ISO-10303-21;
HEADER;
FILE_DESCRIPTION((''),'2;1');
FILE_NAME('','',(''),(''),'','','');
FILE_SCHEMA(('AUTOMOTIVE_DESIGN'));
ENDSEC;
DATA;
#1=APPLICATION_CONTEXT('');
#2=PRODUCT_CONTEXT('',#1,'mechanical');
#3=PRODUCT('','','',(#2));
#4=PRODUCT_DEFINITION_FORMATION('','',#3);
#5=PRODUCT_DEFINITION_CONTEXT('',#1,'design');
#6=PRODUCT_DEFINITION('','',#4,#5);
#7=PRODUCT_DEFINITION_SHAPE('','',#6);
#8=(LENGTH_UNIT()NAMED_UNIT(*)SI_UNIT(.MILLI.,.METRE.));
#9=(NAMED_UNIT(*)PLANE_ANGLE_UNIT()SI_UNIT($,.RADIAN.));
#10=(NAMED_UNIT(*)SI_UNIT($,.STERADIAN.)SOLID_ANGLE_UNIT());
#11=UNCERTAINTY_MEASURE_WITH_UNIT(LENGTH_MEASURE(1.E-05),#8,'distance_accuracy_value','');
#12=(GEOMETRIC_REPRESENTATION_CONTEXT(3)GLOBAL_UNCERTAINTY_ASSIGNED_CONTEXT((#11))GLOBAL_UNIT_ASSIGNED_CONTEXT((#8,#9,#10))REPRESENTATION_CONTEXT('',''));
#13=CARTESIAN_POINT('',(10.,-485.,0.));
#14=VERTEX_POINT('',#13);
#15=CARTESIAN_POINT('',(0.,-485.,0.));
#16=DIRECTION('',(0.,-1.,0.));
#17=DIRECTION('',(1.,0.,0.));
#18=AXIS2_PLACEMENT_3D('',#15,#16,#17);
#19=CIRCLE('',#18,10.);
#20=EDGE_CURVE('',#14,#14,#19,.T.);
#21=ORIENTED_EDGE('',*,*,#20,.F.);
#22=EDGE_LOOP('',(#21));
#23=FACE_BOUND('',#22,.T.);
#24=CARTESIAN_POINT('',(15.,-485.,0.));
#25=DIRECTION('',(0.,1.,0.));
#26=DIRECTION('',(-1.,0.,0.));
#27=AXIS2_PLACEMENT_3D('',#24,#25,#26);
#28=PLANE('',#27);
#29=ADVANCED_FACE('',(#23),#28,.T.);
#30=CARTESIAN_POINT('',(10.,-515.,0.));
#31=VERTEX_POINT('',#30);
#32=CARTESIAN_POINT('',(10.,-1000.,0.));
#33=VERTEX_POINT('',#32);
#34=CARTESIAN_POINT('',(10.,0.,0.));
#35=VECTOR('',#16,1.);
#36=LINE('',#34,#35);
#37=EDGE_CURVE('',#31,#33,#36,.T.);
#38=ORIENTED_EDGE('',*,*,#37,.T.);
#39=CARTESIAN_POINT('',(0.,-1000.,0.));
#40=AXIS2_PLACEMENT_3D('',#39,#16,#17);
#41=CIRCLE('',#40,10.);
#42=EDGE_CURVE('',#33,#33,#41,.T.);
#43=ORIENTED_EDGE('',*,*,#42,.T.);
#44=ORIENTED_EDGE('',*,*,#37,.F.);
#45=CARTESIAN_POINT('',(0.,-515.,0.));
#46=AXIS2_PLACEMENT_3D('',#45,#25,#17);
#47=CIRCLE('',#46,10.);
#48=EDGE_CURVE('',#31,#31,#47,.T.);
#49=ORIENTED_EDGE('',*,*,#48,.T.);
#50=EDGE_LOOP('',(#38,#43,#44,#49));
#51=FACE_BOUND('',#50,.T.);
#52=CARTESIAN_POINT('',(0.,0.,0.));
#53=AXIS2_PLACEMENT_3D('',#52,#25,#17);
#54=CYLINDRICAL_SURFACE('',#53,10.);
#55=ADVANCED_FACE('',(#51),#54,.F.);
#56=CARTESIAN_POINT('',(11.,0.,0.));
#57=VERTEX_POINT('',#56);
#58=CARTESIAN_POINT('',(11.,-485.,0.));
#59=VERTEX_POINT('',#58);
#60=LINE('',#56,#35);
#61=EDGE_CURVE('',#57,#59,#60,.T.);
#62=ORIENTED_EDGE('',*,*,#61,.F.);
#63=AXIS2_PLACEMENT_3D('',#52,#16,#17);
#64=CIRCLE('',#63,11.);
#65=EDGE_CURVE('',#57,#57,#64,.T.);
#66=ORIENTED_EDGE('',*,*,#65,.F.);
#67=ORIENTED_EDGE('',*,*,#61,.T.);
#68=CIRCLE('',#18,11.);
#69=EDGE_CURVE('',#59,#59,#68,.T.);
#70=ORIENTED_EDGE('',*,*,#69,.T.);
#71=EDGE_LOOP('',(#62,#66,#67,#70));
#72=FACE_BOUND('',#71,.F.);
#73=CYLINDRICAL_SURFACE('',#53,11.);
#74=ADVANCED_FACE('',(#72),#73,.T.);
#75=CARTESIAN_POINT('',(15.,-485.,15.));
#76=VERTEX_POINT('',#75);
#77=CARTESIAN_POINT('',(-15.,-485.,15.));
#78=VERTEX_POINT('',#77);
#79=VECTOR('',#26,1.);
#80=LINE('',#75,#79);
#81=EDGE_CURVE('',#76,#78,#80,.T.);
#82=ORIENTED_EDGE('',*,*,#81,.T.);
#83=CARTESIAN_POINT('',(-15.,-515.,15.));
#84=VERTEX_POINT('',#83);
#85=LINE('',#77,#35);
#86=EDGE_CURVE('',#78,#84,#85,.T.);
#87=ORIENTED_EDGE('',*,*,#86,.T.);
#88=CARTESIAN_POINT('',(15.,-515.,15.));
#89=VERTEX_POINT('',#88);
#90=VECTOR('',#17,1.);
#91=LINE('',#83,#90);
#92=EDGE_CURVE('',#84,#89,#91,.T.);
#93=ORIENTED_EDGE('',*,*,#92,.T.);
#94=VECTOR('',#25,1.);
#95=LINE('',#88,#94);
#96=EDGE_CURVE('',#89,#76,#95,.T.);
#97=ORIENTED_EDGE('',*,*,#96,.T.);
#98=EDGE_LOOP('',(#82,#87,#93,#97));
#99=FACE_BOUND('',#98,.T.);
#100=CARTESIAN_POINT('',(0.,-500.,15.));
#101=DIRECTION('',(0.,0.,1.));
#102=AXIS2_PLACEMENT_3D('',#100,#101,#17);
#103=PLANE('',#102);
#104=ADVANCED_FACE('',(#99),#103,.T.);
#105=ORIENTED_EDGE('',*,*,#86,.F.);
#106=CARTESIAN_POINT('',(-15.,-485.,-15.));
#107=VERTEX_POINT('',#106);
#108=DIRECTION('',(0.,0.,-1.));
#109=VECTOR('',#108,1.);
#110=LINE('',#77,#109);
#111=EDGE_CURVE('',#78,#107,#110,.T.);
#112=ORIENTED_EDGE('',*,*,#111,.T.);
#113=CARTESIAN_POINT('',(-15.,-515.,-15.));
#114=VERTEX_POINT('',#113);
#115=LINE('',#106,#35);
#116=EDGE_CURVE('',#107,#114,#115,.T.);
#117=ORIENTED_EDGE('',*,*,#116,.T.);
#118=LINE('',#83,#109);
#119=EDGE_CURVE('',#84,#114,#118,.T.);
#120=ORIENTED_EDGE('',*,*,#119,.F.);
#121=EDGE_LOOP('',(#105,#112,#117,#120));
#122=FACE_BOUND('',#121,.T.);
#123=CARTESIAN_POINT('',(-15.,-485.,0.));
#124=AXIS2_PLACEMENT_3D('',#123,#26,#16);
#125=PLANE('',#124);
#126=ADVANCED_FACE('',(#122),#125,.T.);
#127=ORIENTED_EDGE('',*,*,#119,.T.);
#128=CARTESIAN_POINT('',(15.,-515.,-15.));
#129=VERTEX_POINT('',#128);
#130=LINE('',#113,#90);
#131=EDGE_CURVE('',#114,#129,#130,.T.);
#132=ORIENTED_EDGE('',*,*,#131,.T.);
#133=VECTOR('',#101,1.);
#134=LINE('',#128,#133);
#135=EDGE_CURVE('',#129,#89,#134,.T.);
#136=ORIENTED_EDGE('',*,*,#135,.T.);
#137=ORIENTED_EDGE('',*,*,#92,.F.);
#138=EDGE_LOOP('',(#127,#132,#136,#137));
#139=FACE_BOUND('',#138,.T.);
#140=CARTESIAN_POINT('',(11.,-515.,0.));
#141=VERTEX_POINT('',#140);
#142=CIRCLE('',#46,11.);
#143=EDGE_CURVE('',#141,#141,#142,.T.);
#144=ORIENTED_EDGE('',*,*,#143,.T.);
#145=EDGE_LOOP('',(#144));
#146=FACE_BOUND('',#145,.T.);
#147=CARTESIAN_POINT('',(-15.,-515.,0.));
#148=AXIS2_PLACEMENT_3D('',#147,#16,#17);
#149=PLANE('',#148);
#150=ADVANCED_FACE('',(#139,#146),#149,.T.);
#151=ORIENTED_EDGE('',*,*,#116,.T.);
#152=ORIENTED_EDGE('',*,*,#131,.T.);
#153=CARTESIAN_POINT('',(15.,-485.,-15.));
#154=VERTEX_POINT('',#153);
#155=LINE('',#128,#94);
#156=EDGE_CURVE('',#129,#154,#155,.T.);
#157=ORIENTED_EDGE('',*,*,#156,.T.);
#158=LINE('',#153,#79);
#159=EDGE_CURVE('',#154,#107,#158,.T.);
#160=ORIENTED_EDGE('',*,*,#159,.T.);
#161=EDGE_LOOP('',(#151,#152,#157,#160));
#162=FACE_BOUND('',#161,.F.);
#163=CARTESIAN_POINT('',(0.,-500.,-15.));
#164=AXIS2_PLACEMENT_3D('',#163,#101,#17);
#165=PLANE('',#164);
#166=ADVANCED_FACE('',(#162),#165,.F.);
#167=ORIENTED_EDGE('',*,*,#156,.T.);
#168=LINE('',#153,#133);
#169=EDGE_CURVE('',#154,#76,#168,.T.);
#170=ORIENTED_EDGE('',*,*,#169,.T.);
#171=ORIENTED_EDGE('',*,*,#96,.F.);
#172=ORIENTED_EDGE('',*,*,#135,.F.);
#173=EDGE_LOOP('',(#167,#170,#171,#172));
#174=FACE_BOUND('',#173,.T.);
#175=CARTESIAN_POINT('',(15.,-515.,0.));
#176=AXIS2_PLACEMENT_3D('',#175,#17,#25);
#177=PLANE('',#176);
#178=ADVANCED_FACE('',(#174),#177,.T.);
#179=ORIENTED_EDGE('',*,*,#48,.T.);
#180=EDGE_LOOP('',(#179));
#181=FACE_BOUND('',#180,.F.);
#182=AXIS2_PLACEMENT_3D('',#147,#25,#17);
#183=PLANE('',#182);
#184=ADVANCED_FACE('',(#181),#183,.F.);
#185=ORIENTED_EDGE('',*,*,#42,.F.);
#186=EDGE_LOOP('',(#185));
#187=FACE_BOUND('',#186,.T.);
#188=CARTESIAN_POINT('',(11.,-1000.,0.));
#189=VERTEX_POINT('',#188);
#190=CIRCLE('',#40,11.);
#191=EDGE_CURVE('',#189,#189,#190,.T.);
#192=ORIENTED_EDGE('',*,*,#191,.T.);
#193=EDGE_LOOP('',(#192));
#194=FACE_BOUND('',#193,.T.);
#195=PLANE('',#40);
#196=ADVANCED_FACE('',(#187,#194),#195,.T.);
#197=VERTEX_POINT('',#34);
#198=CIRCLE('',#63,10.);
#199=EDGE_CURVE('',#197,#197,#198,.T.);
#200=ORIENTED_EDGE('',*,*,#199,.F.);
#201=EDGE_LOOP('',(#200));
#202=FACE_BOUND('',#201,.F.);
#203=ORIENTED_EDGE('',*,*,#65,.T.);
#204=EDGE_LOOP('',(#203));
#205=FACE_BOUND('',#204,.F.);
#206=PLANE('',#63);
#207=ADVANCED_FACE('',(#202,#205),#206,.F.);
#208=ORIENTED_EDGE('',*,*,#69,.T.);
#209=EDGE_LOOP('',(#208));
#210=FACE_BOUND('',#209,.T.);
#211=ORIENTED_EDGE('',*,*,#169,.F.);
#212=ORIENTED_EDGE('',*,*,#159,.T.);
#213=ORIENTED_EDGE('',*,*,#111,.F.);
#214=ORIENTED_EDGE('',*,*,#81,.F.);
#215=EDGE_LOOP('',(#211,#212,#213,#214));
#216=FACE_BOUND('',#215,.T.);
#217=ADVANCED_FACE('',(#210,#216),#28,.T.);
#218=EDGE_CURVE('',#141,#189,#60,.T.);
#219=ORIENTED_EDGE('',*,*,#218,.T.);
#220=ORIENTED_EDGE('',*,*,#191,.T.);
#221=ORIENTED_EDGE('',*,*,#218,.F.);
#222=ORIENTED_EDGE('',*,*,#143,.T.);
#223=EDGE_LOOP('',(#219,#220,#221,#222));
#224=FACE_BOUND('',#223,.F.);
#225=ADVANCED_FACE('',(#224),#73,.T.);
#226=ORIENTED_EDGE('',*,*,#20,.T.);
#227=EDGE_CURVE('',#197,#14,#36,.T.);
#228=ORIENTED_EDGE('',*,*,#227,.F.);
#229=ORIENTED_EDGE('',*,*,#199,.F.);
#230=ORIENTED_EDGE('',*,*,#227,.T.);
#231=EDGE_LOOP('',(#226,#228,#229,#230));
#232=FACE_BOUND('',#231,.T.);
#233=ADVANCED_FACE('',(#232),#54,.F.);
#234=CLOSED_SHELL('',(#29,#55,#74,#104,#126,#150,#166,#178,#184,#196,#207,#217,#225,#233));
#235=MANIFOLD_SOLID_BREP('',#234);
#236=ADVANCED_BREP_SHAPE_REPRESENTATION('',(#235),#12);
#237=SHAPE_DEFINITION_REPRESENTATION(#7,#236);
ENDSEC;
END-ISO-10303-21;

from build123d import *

# Parameters (mm, degrees)
F0_R          = 11
F0_R_2        = 10
F1_DEPTH      = 1000
F3_DEPTH      = 15
F3_DEPTH_BACK = 15


with BuildPart() as f1:
    # F0 (on Front) → F1 (new body)
    with BuildSketch(Plane.XZ):
        Circle(F0_R)
        Circle(F0_R_2, mode=Mode.SUBTRACT)
    extrude(amount=F1_DEPTH)

    # F2 (on Top) → F3 (join, two sides)
    with BuildSketch(Plane.XY) as f3_sk:
        Polygon((-15, -515), (15, -515), (15, -485), (0, -485), (-15, -485), align=None)
    extrude(amount=F3_DEPTH)
    extrude(f3_sk.sketch, amount=-F3_DEPTH_BACK)


solid = f1.part
